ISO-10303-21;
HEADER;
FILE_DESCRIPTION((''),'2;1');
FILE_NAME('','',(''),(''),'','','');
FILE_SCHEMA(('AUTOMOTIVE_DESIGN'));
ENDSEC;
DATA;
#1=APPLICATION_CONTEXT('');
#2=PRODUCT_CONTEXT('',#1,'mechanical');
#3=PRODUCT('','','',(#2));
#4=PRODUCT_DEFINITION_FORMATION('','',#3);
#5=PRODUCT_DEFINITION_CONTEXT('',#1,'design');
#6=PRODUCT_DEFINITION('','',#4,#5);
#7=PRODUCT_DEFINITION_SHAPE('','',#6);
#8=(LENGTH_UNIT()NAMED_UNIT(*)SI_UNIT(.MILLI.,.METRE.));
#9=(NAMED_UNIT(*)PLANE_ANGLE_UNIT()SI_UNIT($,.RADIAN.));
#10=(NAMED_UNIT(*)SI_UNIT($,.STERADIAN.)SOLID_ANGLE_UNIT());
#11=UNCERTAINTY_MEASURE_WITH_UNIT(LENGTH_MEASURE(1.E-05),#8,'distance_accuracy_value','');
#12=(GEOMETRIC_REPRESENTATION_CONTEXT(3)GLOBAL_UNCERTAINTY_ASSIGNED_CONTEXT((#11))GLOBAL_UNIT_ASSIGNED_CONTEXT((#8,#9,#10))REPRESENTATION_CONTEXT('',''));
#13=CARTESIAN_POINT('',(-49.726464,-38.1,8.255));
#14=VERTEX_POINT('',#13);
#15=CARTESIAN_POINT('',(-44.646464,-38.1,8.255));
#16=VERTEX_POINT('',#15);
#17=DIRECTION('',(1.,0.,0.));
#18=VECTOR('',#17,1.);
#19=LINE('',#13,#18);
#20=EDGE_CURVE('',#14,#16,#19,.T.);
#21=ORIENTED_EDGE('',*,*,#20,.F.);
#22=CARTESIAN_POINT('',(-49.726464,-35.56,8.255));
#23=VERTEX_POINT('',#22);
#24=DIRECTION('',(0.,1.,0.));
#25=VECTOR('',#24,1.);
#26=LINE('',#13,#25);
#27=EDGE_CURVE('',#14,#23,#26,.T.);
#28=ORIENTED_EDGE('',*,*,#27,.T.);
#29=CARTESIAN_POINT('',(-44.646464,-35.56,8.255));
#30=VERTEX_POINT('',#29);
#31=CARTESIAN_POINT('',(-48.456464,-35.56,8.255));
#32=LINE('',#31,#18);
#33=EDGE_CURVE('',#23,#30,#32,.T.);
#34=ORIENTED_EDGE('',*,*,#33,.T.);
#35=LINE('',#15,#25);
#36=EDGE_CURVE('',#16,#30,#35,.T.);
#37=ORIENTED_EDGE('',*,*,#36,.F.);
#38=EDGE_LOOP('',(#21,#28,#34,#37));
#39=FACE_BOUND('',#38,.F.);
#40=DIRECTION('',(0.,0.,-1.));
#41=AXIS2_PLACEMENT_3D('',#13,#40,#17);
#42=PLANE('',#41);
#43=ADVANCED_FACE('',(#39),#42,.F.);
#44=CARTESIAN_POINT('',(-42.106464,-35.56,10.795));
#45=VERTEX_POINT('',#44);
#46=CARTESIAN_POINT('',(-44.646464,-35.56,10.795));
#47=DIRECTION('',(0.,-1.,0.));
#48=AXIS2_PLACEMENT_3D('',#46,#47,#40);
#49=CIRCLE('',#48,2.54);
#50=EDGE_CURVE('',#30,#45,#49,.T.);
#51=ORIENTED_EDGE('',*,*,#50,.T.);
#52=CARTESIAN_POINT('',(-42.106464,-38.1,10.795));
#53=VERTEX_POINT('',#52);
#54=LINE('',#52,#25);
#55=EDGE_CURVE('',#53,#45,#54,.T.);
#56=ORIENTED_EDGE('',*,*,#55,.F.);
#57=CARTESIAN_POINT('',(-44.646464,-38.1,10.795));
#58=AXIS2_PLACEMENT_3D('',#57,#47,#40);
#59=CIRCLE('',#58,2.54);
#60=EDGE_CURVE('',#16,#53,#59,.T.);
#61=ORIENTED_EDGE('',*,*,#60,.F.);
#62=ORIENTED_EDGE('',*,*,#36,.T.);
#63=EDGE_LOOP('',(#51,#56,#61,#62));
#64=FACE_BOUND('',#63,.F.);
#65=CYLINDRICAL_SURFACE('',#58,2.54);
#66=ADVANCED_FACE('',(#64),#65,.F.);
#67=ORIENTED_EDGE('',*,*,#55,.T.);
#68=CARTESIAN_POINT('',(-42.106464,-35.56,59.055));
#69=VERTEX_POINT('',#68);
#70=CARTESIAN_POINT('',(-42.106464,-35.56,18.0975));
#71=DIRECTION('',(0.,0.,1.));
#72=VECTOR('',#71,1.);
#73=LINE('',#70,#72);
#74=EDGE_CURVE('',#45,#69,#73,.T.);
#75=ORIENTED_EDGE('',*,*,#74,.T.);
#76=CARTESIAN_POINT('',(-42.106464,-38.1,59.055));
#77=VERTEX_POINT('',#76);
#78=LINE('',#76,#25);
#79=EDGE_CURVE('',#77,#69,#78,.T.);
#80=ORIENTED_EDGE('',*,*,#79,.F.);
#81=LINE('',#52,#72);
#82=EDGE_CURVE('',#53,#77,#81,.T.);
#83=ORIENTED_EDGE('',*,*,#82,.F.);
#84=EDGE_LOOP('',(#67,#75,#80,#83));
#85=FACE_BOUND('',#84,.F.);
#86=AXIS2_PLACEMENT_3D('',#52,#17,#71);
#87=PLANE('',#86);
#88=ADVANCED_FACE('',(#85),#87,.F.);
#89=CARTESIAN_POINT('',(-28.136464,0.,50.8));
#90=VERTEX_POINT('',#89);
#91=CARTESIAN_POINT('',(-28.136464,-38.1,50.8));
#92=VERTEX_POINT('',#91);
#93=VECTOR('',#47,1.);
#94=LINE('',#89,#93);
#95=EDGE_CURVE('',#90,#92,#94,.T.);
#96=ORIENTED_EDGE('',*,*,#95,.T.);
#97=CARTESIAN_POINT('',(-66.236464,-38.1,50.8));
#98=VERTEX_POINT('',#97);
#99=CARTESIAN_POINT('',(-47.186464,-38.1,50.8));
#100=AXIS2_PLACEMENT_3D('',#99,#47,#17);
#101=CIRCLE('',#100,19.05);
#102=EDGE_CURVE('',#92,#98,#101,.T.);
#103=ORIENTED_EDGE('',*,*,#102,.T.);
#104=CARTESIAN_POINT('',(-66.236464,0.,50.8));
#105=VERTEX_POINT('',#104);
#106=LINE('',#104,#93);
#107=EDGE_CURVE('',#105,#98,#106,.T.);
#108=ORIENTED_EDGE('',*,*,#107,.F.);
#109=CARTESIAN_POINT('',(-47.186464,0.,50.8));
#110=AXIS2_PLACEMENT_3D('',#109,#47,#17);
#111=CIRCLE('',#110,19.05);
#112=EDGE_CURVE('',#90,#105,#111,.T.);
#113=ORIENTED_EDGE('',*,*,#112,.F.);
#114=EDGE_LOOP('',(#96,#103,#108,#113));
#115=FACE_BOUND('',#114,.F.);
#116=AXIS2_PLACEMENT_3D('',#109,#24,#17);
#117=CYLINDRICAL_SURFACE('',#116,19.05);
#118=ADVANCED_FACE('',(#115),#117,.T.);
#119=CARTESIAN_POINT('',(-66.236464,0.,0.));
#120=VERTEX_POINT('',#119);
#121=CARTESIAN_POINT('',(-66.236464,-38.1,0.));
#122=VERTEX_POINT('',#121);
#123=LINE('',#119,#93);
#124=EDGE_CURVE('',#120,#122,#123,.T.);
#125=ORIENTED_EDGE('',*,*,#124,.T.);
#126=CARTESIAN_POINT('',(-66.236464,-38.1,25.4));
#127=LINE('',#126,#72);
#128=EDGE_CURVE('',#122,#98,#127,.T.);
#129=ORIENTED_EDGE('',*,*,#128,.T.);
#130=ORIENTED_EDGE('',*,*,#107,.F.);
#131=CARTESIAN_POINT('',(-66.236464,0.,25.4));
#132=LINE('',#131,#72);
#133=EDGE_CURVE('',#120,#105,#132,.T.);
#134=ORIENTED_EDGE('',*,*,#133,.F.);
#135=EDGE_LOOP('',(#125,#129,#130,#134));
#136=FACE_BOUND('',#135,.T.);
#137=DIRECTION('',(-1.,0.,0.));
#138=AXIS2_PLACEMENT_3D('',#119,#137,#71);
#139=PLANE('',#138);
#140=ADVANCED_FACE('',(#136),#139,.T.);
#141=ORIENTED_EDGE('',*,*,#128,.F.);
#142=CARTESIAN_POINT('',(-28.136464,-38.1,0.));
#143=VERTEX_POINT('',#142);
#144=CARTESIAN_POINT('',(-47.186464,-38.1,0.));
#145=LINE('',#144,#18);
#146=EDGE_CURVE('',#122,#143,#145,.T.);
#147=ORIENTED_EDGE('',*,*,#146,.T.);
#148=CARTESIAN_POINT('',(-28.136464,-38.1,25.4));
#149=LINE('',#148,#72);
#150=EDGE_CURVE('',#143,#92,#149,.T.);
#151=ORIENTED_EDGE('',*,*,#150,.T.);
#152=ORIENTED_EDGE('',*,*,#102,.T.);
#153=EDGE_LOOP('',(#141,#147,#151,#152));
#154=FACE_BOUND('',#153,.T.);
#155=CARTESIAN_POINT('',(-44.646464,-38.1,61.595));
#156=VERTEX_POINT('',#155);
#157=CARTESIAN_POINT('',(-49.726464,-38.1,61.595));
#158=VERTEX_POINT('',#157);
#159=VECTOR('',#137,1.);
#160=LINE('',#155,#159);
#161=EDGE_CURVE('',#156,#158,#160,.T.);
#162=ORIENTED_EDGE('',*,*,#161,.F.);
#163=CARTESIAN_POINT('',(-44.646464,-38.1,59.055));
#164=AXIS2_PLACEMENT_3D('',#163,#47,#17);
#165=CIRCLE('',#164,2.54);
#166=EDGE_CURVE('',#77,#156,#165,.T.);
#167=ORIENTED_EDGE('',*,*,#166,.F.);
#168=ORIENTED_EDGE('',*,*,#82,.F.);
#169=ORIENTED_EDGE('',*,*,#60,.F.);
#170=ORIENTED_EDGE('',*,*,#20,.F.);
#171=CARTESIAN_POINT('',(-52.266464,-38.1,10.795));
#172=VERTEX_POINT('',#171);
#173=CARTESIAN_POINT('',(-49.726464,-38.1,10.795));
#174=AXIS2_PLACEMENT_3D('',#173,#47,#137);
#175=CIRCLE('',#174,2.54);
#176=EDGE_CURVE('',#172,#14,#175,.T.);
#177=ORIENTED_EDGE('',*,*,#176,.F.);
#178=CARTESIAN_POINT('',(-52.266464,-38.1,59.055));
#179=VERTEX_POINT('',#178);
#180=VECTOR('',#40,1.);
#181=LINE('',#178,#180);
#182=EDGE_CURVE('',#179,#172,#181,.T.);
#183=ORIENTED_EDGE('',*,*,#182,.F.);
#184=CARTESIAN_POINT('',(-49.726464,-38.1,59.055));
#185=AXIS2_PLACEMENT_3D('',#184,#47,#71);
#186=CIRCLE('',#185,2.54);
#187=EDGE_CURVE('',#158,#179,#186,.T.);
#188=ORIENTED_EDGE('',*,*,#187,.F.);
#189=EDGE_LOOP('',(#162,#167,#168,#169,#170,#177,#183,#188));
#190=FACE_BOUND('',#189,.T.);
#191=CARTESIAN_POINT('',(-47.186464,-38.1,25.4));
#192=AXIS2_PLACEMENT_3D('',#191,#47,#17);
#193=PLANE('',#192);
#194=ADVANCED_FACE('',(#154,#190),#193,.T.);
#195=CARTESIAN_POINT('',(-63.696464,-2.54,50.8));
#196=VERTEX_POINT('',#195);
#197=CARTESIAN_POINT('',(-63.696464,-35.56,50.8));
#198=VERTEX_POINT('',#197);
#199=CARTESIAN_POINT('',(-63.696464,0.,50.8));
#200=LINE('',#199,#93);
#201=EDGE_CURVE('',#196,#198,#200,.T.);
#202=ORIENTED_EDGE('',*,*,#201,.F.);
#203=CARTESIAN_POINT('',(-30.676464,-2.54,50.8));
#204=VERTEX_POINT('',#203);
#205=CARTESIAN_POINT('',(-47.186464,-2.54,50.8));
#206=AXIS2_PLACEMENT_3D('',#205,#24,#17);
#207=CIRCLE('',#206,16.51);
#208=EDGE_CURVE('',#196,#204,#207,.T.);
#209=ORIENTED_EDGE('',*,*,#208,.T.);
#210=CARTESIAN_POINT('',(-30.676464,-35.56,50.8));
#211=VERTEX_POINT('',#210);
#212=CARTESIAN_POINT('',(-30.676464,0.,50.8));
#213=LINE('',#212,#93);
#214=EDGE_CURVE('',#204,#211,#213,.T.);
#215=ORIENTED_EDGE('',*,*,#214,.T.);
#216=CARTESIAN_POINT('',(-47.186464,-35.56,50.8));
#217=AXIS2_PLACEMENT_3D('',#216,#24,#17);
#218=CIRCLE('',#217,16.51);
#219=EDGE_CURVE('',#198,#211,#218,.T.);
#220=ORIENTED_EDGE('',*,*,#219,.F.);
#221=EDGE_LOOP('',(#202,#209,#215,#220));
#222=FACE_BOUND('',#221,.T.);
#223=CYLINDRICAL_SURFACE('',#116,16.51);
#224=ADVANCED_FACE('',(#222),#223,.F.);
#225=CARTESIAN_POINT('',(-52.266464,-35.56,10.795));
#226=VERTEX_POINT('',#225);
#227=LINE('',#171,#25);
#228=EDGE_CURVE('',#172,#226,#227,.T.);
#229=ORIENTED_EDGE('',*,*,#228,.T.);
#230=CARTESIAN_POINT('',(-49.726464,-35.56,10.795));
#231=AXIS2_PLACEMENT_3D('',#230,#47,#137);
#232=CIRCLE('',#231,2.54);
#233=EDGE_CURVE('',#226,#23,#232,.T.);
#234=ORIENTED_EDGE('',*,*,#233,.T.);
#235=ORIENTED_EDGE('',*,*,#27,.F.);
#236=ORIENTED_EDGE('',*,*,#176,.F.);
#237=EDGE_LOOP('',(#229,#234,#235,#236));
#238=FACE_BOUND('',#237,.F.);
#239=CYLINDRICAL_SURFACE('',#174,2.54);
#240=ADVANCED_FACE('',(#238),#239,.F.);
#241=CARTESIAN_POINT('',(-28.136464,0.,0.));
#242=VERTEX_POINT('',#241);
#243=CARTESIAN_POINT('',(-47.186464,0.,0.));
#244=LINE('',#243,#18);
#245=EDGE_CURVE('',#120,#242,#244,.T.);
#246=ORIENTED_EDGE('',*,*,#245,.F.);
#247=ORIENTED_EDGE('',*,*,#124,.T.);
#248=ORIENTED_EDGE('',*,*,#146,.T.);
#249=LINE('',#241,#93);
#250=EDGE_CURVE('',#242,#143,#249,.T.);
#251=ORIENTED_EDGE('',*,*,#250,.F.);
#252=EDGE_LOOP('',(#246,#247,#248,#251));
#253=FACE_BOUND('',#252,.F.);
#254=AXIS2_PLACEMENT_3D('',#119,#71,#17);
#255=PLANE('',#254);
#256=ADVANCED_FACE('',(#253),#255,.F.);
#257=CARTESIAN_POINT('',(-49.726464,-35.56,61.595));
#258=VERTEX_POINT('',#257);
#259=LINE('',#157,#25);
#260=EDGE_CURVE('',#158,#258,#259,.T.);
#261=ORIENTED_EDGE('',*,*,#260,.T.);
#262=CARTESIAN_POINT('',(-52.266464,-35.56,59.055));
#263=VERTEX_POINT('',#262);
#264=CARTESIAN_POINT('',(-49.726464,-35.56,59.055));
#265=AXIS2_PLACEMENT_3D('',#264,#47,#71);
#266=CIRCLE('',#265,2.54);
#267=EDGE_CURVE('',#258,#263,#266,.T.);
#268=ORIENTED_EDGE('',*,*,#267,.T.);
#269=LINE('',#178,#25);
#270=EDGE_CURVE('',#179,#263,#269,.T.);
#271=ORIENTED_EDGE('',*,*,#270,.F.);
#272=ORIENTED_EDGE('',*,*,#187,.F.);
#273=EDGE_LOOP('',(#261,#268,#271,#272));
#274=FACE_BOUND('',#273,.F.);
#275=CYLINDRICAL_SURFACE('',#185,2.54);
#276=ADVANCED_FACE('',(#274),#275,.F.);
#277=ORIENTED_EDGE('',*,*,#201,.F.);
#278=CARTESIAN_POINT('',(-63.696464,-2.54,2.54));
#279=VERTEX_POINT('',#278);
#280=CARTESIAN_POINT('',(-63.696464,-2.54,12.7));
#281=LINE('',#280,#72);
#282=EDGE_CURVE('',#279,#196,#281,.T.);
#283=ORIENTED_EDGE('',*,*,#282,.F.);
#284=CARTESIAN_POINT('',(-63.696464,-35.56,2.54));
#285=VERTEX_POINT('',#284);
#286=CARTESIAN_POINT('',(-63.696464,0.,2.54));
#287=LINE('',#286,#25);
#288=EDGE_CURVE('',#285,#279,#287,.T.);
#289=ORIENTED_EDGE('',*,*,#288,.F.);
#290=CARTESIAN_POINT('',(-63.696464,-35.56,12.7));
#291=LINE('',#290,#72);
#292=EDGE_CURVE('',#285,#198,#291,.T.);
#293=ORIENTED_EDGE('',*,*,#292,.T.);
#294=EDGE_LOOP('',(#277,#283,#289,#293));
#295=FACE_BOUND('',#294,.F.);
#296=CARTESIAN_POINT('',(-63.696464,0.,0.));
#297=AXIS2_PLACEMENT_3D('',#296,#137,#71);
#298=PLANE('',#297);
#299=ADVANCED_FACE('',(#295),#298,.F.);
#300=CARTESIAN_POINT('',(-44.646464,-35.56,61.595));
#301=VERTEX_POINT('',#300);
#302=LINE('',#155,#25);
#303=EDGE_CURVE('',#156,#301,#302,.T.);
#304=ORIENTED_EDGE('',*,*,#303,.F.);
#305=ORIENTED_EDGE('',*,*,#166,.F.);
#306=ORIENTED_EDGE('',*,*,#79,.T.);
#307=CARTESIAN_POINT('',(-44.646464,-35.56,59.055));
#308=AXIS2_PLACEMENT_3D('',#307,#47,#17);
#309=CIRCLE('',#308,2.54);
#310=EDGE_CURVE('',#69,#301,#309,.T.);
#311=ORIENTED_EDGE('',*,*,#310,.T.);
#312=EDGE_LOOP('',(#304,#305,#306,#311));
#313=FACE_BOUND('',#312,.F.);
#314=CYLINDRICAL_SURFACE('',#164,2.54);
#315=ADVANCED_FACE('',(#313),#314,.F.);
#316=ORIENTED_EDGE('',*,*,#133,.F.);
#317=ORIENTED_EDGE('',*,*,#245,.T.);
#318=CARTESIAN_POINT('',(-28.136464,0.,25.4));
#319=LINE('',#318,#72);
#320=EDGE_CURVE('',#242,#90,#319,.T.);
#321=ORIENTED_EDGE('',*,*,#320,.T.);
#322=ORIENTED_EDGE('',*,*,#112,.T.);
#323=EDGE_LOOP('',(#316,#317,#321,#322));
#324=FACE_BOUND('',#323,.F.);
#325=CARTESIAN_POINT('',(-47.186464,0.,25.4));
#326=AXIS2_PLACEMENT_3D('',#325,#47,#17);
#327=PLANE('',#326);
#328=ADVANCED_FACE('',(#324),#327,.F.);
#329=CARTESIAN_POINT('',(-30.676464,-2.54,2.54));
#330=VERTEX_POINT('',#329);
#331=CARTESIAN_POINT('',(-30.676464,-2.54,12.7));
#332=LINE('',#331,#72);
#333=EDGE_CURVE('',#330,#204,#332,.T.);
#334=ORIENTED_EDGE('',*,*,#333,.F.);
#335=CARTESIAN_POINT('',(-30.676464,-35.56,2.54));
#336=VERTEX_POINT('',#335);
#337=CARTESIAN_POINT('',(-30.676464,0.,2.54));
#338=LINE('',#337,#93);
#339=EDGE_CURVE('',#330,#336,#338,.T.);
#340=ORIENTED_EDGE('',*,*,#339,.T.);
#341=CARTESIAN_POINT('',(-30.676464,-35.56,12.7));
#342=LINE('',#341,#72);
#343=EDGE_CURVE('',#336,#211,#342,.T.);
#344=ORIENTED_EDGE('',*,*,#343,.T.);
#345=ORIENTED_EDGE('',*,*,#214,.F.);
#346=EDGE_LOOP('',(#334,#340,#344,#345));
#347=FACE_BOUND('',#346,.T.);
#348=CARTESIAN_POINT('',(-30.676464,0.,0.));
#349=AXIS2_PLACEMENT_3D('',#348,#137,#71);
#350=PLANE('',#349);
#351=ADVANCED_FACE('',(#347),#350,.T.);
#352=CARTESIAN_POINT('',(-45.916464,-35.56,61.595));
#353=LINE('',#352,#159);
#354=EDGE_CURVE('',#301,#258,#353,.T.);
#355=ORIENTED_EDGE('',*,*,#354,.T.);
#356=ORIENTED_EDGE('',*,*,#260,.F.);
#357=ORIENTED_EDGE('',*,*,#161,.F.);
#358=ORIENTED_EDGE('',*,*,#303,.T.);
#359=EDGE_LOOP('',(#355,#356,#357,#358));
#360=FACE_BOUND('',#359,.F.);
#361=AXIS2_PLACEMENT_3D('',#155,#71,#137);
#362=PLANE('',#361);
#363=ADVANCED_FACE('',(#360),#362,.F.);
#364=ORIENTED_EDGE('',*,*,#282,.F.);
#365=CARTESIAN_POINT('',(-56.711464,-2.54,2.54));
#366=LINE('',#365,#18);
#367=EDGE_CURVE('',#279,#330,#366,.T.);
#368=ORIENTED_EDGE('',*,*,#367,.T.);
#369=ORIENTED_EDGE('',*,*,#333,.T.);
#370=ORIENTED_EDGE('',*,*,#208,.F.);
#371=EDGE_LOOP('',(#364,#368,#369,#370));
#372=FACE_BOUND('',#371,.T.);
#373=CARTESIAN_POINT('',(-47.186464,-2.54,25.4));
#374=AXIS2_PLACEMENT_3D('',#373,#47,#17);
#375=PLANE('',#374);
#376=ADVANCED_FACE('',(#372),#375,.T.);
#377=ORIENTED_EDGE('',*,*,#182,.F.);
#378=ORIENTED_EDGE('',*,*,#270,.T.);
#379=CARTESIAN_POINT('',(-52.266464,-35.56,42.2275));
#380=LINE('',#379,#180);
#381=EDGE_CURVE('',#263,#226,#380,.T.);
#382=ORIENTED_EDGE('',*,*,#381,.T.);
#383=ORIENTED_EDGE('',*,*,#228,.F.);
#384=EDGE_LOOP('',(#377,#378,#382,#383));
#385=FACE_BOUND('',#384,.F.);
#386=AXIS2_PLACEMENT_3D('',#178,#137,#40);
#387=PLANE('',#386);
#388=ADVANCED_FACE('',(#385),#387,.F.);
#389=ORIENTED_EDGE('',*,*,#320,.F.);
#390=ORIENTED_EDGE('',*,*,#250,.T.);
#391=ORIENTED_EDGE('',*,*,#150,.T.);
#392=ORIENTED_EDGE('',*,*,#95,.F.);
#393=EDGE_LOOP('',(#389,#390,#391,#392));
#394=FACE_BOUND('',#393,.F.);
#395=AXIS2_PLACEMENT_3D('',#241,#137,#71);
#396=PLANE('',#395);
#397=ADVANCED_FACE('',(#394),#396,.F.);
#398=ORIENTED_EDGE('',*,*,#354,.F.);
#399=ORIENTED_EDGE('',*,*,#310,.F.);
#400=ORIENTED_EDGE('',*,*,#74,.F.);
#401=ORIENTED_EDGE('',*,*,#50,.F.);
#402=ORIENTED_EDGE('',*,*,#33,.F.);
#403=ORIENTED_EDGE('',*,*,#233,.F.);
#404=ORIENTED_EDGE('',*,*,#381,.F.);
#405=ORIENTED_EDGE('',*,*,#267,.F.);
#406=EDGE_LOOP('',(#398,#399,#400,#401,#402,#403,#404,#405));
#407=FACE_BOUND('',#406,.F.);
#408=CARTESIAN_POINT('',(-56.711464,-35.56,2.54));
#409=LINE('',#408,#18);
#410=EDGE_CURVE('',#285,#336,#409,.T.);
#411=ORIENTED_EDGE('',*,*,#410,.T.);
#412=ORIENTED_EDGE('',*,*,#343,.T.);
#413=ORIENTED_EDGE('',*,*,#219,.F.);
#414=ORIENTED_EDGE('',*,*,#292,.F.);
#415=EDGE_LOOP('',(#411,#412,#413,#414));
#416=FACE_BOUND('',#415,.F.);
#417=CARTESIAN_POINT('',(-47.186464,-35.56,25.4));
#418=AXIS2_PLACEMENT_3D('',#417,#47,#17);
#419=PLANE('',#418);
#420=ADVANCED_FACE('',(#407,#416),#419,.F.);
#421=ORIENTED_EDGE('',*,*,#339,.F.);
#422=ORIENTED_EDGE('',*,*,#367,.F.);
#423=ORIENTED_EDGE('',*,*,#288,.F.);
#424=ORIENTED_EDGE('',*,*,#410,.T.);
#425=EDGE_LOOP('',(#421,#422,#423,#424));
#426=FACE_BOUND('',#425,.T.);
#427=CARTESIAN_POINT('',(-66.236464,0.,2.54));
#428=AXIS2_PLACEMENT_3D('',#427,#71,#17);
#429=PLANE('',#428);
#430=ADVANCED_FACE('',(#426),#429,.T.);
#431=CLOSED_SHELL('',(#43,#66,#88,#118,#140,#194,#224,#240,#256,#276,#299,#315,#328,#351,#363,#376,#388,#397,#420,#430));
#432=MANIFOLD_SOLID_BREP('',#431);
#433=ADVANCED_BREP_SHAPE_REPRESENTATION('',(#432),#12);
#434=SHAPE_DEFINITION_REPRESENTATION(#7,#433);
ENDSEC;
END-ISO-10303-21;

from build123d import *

# Parameters (mm, degrees)
F0_W     = 38.1
F0_H     = 50.8
F1_DEPTH = 38.1
F2_T     = -2.54
F4_DEPTH = 25.4


with BuildPart() as f1:
    # F0 (on Front) → F1 (new body)
    with BuildSketch(Plane.XZ):
        with Locations((-47.1864644898, 25.4)):
            Rectangle(F0_W, F0_H)
        with BuildLine():
            ThreePointArc((-28.1364644898, 50.8), (-47.1864644898, 69.85), (-66.2364644898, 50.8))
            Line((-66.2364644898, 50.8), (-28.1364644898, 50.8))
        make_face()
    extrude(amount=F1_DEPTH)

    # F2 (hollow: no face is removed)
    offset(amount=F2_T, mode=Mode.SUBTRACT)

    # F3 (on face) → F4 (cut)
    with BuildSketch(Plane.XZ.offset(38.1)):
        with BuildLine():
            ThreePointArc((-42.1064644898, 59.055), (-42.8504132656, 60.8510512242), (-44.6464644898, 61.595))
            Line((-44.6464644898, 61.595), (-49.7264644898, 61.595))
            ThreePointArc((-49.7264644898, 61.595), (-51.522515714, 60.8510512242), (-52.2664644898, 59.055))
            Line((-52.2664644898, 59.055), (-52.2664644898, 10.795))
            ThreePointArc((-52.2664644898, 10.795), (-51.522515714, 8.9989487758), (-49.7264644898, 8.255))
            Line((-49.7264644898, 8.255), (-44.6464644898, 8.255))
            ThreePointArc((-44.6464644898, 8.255), (-42.8504132656, 8.9989487758), (-42.1064644898, 10.795))
            Line((-42.1064644898, 10.795), (-42.1064644898, 59.055))
        make_face()
    extrude(amount=-F4_DEPTH, mode=Mode.SUBTRACT)


solid = f1.part
